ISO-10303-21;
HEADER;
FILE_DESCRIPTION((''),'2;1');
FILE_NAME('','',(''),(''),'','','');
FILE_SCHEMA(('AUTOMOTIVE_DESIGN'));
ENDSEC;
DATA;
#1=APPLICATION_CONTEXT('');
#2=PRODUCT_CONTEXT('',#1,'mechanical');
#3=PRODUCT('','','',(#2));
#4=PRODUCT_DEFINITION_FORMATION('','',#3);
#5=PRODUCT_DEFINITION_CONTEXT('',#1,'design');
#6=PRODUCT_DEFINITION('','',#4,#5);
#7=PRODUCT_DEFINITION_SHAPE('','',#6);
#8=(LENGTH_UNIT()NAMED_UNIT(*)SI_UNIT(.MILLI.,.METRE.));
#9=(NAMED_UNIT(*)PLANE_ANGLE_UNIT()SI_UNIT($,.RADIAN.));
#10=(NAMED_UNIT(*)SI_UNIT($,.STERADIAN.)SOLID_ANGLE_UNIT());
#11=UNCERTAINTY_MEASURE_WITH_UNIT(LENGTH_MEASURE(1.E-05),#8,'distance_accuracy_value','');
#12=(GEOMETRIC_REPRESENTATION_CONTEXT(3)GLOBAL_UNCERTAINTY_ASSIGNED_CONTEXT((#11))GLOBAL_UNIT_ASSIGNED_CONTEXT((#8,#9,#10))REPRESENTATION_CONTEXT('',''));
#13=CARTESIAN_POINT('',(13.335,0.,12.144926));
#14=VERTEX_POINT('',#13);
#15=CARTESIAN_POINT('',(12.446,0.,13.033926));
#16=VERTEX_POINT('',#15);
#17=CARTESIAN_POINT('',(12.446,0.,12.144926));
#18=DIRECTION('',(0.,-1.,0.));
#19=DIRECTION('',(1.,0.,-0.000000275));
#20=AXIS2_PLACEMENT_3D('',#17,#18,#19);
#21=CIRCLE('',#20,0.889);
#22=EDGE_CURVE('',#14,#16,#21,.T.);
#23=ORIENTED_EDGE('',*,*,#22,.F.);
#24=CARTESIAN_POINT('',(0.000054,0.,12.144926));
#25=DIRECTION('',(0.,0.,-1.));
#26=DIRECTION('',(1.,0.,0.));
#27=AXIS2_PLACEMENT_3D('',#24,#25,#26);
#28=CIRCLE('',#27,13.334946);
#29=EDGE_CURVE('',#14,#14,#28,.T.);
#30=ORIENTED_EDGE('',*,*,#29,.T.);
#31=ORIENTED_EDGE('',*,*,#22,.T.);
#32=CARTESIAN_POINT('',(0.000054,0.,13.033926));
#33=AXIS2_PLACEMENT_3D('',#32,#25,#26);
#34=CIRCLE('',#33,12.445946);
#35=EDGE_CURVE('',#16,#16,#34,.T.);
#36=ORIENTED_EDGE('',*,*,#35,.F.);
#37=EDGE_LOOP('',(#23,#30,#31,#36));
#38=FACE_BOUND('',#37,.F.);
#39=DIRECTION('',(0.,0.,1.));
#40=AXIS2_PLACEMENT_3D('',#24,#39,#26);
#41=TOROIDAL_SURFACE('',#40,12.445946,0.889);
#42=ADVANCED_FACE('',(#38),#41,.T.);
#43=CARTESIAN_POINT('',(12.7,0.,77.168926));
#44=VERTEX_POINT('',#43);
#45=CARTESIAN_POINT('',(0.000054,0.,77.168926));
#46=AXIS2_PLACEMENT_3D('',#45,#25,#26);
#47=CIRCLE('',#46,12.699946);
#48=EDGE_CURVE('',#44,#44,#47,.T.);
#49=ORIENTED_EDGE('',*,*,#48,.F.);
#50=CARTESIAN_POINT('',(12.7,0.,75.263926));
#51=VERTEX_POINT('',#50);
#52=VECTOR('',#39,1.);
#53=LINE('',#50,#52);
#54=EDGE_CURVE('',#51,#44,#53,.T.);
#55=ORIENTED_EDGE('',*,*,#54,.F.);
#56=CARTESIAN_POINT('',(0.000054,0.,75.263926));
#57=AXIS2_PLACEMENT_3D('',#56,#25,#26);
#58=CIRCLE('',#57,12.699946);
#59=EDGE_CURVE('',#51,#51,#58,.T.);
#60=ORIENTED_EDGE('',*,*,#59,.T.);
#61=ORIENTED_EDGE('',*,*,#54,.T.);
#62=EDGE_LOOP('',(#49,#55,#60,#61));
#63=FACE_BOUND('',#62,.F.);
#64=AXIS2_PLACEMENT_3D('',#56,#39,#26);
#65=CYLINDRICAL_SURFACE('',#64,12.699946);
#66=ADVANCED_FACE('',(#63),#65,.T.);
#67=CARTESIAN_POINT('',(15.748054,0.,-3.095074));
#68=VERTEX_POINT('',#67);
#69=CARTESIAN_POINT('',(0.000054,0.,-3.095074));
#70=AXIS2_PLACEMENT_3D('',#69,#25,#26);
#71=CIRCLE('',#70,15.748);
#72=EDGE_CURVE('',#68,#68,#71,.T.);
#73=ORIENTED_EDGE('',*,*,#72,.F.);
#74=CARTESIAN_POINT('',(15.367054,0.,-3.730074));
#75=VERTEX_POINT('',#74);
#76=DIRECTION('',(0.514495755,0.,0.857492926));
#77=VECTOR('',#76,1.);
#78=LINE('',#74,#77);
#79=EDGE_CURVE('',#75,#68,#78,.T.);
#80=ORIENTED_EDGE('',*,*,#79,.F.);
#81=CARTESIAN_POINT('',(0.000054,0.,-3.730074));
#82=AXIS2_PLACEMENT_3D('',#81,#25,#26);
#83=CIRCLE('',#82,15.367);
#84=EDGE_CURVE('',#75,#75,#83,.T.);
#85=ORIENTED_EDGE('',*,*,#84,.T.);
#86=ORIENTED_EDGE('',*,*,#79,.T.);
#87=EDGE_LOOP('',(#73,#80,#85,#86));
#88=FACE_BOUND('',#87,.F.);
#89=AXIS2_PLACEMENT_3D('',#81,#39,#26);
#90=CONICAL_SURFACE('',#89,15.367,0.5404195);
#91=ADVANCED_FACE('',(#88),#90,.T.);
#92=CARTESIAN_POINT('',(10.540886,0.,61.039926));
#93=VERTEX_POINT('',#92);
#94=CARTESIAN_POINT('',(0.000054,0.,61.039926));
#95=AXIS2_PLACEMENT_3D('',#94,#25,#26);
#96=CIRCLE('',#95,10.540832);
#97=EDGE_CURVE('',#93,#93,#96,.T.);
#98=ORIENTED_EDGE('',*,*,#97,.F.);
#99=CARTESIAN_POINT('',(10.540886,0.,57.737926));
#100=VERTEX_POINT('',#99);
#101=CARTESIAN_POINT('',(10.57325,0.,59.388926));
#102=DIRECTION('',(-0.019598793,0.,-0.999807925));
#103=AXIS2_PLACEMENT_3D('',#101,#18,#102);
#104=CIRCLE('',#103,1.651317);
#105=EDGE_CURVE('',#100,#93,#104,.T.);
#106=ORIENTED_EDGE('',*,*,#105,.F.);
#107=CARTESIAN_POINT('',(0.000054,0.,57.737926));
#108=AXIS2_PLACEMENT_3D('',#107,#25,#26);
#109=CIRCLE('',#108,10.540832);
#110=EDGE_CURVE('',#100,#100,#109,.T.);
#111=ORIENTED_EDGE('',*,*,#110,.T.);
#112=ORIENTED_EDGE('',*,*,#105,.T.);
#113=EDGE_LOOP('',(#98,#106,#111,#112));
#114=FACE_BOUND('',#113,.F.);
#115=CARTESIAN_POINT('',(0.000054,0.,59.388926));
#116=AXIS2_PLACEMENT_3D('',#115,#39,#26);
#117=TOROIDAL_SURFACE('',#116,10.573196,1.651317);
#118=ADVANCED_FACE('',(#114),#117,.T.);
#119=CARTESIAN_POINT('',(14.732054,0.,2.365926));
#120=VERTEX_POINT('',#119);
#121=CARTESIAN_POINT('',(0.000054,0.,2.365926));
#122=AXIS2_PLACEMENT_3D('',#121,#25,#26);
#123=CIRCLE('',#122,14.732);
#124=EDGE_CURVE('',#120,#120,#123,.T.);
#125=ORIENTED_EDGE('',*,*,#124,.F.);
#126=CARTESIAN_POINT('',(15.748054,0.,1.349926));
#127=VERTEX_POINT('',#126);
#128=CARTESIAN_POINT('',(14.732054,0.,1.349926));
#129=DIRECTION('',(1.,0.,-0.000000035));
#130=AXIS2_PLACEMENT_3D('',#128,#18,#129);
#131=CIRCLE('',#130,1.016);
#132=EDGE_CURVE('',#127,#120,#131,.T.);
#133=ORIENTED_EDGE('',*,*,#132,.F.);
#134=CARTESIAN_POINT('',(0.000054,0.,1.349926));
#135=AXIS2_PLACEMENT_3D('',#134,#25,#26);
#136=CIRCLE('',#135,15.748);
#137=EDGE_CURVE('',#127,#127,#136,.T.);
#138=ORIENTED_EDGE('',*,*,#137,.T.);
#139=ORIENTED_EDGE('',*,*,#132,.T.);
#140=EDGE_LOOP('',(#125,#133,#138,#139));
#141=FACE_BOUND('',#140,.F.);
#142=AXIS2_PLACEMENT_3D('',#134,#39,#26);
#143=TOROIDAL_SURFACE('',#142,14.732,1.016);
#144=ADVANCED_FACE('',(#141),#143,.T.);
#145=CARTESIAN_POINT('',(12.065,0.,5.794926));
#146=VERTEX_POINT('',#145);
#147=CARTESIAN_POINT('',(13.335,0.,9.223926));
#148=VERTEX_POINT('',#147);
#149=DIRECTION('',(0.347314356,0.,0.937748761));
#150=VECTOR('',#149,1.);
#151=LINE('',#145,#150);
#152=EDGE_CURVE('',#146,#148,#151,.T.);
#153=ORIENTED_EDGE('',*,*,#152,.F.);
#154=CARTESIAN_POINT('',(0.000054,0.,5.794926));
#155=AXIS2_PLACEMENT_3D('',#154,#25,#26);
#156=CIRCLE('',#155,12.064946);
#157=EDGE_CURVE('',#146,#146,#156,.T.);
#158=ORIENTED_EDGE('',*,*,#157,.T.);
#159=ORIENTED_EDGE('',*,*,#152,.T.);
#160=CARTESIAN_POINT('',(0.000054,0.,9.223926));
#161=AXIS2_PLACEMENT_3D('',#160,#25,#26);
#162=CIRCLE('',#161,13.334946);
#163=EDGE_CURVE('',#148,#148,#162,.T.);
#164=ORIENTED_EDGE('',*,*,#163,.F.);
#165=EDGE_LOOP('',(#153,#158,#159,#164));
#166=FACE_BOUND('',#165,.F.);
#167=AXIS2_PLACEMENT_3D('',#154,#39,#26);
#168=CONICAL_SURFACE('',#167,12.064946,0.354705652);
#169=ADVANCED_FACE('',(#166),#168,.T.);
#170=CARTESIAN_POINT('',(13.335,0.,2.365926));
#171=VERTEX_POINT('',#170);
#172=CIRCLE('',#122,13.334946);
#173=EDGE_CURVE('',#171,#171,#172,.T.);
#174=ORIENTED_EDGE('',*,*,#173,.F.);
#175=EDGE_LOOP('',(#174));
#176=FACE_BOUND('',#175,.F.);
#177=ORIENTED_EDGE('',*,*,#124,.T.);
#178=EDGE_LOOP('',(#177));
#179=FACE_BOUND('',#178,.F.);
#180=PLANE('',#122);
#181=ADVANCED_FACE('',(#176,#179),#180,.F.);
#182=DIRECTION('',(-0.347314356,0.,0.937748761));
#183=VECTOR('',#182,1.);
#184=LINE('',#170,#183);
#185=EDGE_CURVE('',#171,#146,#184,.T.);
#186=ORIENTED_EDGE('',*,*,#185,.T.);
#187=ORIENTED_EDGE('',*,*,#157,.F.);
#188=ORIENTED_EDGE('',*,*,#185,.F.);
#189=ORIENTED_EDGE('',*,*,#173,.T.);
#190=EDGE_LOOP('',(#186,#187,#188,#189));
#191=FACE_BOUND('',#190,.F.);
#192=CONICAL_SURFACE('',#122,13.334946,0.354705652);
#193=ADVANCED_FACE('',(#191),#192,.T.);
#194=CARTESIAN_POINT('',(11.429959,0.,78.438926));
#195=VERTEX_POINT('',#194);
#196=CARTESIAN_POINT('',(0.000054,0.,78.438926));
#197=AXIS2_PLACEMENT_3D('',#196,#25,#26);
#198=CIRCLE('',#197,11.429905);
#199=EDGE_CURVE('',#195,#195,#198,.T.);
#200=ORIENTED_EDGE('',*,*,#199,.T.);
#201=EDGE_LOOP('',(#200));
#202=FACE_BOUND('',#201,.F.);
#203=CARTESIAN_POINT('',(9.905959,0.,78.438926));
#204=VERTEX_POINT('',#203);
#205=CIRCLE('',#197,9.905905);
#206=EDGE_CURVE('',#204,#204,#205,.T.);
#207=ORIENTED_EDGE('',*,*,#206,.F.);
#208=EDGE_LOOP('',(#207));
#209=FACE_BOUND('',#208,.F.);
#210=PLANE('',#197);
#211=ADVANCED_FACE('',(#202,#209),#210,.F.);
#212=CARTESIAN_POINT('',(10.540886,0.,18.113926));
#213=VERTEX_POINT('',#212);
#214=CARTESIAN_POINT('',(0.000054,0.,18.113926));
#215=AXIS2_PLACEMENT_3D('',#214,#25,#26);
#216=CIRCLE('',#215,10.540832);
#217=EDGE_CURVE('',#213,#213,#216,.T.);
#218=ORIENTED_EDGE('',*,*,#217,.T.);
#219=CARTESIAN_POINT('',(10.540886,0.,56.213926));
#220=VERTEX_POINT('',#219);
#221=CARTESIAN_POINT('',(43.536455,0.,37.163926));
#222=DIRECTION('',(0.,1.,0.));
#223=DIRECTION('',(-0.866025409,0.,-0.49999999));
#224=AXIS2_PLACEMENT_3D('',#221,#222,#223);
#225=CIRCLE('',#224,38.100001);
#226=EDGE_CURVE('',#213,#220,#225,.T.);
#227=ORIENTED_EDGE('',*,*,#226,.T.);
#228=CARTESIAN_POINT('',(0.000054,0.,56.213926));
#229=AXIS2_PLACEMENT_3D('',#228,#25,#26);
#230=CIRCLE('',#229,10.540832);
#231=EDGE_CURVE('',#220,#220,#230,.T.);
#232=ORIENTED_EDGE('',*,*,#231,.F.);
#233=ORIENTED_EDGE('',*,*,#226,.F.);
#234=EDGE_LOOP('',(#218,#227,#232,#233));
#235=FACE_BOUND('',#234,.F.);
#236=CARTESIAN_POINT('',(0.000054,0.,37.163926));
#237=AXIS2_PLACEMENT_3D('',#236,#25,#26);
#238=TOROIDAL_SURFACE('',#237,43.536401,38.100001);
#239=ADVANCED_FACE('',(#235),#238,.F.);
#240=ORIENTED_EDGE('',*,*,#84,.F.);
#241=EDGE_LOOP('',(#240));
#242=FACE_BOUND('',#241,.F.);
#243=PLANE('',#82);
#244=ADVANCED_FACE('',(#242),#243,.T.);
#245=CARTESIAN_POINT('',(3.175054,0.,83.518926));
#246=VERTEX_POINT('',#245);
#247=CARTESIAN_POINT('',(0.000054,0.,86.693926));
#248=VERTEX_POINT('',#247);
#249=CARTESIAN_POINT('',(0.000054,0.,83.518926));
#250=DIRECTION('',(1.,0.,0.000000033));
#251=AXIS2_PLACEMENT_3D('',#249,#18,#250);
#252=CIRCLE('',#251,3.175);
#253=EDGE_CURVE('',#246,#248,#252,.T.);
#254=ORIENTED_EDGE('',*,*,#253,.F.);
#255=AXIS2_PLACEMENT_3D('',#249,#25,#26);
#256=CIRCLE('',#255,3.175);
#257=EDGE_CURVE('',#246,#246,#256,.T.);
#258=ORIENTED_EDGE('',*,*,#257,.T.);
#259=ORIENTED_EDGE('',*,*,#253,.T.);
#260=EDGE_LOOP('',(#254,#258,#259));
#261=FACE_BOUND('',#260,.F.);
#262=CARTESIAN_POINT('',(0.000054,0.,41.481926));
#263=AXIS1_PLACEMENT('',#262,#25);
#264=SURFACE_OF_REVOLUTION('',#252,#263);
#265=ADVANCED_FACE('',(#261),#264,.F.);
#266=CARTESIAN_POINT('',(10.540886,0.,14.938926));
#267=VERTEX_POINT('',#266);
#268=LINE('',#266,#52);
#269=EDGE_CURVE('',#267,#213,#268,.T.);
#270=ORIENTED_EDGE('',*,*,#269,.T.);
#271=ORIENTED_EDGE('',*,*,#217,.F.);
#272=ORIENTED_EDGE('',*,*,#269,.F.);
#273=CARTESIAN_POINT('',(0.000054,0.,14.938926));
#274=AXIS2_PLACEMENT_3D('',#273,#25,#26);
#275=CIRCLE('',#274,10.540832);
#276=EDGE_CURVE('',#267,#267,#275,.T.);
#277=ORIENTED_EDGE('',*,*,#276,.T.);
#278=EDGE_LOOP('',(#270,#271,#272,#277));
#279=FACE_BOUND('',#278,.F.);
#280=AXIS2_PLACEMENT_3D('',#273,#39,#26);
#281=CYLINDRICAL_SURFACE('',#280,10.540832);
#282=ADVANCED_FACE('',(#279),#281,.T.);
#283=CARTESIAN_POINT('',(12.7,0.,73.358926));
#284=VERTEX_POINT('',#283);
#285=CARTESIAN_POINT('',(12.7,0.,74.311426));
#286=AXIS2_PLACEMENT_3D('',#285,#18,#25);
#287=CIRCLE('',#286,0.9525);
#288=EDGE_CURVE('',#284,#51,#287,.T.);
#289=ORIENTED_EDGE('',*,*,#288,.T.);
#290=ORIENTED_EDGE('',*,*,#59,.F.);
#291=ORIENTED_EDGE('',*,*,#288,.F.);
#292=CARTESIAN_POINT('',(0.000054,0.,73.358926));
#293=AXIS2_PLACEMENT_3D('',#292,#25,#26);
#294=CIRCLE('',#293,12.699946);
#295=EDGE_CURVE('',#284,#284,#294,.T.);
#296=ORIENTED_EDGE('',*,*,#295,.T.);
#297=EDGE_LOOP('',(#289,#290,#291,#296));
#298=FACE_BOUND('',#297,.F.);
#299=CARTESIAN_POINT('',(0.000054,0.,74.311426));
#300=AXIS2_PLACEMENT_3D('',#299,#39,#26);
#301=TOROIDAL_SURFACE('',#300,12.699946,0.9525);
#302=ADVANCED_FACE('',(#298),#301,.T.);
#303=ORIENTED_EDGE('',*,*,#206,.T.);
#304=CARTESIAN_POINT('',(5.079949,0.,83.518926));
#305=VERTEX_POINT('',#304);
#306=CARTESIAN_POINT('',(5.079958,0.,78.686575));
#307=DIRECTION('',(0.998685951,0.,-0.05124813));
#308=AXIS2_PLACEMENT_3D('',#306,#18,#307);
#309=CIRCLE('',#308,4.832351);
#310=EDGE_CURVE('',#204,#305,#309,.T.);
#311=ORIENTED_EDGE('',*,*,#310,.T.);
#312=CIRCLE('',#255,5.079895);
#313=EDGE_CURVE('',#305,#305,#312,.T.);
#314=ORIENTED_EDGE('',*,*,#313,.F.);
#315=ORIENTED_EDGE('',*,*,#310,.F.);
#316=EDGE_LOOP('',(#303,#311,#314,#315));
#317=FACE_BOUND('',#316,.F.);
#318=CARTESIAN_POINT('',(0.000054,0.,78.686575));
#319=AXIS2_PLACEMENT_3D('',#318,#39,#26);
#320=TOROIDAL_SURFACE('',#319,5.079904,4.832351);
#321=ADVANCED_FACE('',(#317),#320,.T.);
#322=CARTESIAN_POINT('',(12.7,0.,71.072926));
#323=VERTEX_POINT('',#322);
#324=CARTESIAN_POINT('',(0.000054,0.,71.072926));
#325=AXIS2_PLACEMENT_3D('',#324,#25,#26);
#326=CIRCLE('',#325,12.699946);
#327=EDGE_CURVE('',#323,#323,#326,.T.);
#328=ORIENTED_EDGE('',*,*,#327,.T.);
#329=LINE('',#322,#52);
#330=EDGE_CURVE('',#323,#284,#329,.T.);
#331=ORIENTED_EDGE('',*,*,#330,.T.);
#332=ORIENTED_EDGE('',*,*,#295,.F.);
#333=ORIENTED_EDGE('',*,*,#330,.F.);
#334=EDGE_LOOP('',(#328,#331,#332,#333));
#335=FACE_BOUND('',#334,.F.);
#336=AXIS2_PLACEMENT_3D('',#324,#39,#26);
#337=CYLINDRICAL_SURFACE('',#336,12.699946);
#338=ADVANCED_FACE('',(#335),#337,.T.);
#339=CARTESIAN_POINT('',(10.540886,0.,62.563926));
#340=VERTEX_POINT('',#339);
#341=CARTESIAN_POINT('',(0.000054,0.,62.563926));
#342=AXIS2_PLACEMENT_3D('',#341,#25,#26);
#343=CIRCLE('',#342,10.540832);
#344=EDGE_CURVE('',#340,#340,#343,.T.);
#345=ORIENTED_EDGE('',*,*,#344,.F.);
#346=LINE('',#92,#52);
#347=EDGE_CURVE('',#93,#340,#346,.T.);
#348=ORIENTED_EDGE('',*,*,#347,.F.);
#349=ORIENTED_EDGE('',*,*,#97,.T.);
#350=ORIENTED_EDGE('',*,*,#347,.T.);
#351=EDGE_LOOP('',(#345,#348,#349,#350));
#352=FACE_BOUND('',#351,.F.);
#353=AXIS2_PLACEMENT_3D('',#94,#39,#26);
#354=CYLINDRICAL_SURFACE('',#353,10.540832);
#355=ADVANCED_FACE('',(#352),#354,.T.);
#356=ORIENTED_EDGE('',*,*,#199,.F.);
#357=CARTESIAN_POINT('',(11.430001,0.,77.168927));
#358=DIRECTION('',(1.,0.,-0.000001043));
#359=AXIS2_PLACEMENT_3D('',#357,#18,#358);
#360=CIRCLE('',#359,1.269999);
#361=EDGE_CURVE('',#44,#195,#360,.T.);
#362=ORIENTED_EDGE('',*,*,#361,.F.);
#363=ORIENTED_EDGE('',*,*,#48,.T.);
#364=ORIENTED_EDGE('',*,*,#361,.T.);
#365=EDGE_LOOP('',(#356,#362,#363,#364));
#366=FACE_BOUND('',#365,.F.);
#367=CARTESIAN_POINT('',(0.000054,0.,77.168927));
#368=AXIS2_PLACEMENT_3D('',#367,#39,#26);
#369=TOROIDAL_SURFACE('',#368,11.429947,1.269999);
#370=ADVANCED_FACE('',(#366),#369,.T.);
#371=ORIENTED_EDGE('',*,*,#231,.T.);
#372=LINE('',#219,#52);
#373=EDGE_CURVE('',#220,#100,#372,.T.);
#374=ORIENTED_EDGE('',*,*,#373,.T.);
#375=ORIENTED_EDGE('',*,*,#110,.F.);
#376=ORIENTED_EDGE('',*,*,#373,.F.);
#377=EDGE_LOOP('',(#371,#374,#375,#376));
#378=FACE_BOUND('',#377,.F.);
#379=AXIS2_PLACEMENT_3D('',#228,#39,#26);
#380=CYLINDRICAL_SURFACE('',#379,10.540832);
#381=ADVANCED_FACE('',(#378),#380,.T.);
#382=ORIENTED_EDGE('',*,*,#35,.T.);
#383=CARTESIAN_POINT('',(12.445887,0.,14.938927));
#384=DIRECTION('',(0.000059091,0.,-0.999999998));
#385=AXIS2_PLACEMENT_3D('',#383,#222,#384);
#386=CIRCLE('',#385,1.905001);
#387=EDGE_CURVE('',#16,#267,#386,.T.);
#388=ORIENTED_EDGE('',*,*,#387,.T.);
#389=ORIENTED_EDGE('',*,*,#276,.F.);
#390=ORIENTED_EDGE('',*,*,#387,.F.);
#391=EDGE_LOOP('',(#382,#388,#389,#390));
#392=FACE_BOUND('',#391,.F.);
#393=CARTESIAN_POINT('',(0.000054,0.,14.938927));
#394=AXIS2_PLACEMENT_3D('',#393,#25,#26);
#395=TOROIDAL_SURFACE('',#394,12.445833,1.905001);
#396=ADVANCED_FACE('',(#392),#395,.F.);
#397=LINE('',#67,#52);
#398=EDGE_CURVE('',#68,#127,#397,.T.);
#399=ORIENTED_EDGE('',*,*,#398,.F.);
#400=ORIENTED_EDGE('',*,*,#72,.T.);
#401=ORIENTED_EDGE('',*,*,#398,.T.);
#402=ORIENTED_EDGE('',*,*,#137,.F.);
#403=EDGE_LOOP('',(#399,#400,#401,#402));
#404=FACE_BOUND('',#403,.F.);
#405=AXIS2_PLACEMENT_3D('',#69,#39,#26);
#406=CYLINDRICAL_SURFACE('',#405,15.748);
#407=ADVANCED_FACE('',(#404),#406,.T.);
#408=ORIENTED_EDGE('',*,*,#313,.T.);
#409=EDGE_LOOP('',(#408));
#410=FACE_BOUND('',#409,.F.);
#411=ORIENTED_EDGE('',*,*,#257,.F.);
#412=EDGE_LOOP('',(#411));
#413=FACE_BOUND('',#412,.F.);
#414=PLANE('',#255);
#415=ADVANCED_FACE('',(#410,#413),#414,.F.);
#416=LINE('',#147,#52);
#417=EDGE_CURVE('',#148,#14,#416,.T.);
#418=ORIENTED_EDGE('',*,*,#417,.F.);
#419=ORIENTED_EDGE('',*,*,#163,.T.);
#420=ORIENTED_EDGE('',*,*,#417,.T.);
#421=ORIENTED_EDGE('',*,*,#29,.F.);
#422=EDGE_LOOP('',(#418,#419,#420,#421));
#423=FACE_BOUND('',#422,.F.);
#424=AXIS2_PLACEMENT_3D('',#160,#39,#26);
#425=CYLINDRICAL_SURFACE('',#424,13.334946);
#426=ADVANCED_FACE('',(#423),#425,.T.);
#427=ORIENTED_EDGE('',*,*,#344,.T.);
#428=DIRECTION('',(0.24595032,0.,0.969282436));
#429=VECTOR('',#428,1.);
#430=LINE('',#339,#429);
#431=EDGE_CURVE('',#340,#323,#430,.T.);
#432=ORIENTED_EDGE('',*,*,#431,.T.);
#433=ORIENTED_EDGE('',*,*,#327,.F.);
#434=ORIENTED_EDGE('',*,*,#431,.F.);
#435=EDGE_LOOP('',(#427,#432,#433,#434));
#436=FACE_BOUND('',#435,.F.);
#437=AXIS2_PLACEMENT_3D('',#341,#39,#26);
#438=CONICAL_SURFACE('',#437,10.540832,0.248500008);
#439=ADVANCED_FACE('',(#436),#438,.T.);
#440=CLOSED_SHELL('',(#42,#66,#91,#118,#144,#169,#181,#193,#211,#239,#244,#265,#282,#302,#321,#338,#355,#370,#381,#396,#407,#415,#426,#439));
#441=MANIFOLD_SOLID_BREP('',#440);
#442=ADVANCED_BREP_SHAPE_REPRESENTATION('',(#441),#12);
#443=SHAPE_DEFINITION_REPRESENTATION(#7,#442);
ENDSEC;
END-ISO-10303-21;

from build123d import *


with BuildPart() as f1:
    # F0 (on Front) → F1 (revolve)
    with BuildSketch(Plane.XZ):
        with BuildLine():
            Line((5.4e-05, -3.730074), (15.367054, -3.730074))
            Line((15.367054, -3.730074), (15.748054, -3.095074))
            Line((15.748054, -3.095074), (15.748054, 1.349926))
            ThreePointArc((15.748054, 1.349926), (15.450474, 2.068347), (14.732054, 2.365926))
            Line((14.732054, 2.365926), (13.335, 2.365926))
            Line((13.335, 2.365926), (12.065, 5.794926))
            Line((12.065, 5.794926), (13.335, 9.223926))
            Line((13.335, 9.223926), (13.335, 12.144926))
            ThreePointArc((13.335, 12.144926), (13.074618, 12.773544), (12.446, 13.033926))
            ThreePointArc((12.446, 13.033926), (11.098888, 13.591848), (10.540886, 14.938926))
            Line((10.540886, 14.938926), (10.540886, 18.113926))
            ThreePointArc((10.540886, 18.113926), (5.436454, 37.163926), (10.540886, 56.213926))
            Line((10.540886, 56.213926), (10.540886, 57.737926))
            ThreePointArc((10.540886, 57.737926), (12.224567, 59.388926), (10.540886, 61.039926))
            Line((10.540886, 61.039926), (10.540886, 62.563926))
            Line((10.540886, 62.563926), (12.7, 71.072926))
            Line((12.7, 71.072926), (12.7, 73.358926))
            ThreePointArc((12.7, 73.358926), (13.6525, 74.311426), (12.7, 75.263926))
            Line((12.7, 75.263926), (12.7, 77.168926))
            ThreePointArc((12.7, 77.168926), (12.328011, 78.066967), (11.429959, 78.438926))
            Line((11.429959, 78.438926), (9.905959, 78.438926))
            ThreePointArc((9.905959, 78.438926), (8.583406, 82.014858), (5.079949, 83.518926))
            Line((5.079949, 83.518926), (3.175054, 83.518926))
            ThreePointArc((3.175054, 83.518926), (2.245118, 85.76399), (5.4e-05, 86.693926))
            Line((5.4e-05, 86.693926), (5.4e-05, -3.730074))
        make_face()
    revolve(axis=Axis((5.4e-05, 0, 41.481926), (0, 0, -1)))


solid = f1.part
